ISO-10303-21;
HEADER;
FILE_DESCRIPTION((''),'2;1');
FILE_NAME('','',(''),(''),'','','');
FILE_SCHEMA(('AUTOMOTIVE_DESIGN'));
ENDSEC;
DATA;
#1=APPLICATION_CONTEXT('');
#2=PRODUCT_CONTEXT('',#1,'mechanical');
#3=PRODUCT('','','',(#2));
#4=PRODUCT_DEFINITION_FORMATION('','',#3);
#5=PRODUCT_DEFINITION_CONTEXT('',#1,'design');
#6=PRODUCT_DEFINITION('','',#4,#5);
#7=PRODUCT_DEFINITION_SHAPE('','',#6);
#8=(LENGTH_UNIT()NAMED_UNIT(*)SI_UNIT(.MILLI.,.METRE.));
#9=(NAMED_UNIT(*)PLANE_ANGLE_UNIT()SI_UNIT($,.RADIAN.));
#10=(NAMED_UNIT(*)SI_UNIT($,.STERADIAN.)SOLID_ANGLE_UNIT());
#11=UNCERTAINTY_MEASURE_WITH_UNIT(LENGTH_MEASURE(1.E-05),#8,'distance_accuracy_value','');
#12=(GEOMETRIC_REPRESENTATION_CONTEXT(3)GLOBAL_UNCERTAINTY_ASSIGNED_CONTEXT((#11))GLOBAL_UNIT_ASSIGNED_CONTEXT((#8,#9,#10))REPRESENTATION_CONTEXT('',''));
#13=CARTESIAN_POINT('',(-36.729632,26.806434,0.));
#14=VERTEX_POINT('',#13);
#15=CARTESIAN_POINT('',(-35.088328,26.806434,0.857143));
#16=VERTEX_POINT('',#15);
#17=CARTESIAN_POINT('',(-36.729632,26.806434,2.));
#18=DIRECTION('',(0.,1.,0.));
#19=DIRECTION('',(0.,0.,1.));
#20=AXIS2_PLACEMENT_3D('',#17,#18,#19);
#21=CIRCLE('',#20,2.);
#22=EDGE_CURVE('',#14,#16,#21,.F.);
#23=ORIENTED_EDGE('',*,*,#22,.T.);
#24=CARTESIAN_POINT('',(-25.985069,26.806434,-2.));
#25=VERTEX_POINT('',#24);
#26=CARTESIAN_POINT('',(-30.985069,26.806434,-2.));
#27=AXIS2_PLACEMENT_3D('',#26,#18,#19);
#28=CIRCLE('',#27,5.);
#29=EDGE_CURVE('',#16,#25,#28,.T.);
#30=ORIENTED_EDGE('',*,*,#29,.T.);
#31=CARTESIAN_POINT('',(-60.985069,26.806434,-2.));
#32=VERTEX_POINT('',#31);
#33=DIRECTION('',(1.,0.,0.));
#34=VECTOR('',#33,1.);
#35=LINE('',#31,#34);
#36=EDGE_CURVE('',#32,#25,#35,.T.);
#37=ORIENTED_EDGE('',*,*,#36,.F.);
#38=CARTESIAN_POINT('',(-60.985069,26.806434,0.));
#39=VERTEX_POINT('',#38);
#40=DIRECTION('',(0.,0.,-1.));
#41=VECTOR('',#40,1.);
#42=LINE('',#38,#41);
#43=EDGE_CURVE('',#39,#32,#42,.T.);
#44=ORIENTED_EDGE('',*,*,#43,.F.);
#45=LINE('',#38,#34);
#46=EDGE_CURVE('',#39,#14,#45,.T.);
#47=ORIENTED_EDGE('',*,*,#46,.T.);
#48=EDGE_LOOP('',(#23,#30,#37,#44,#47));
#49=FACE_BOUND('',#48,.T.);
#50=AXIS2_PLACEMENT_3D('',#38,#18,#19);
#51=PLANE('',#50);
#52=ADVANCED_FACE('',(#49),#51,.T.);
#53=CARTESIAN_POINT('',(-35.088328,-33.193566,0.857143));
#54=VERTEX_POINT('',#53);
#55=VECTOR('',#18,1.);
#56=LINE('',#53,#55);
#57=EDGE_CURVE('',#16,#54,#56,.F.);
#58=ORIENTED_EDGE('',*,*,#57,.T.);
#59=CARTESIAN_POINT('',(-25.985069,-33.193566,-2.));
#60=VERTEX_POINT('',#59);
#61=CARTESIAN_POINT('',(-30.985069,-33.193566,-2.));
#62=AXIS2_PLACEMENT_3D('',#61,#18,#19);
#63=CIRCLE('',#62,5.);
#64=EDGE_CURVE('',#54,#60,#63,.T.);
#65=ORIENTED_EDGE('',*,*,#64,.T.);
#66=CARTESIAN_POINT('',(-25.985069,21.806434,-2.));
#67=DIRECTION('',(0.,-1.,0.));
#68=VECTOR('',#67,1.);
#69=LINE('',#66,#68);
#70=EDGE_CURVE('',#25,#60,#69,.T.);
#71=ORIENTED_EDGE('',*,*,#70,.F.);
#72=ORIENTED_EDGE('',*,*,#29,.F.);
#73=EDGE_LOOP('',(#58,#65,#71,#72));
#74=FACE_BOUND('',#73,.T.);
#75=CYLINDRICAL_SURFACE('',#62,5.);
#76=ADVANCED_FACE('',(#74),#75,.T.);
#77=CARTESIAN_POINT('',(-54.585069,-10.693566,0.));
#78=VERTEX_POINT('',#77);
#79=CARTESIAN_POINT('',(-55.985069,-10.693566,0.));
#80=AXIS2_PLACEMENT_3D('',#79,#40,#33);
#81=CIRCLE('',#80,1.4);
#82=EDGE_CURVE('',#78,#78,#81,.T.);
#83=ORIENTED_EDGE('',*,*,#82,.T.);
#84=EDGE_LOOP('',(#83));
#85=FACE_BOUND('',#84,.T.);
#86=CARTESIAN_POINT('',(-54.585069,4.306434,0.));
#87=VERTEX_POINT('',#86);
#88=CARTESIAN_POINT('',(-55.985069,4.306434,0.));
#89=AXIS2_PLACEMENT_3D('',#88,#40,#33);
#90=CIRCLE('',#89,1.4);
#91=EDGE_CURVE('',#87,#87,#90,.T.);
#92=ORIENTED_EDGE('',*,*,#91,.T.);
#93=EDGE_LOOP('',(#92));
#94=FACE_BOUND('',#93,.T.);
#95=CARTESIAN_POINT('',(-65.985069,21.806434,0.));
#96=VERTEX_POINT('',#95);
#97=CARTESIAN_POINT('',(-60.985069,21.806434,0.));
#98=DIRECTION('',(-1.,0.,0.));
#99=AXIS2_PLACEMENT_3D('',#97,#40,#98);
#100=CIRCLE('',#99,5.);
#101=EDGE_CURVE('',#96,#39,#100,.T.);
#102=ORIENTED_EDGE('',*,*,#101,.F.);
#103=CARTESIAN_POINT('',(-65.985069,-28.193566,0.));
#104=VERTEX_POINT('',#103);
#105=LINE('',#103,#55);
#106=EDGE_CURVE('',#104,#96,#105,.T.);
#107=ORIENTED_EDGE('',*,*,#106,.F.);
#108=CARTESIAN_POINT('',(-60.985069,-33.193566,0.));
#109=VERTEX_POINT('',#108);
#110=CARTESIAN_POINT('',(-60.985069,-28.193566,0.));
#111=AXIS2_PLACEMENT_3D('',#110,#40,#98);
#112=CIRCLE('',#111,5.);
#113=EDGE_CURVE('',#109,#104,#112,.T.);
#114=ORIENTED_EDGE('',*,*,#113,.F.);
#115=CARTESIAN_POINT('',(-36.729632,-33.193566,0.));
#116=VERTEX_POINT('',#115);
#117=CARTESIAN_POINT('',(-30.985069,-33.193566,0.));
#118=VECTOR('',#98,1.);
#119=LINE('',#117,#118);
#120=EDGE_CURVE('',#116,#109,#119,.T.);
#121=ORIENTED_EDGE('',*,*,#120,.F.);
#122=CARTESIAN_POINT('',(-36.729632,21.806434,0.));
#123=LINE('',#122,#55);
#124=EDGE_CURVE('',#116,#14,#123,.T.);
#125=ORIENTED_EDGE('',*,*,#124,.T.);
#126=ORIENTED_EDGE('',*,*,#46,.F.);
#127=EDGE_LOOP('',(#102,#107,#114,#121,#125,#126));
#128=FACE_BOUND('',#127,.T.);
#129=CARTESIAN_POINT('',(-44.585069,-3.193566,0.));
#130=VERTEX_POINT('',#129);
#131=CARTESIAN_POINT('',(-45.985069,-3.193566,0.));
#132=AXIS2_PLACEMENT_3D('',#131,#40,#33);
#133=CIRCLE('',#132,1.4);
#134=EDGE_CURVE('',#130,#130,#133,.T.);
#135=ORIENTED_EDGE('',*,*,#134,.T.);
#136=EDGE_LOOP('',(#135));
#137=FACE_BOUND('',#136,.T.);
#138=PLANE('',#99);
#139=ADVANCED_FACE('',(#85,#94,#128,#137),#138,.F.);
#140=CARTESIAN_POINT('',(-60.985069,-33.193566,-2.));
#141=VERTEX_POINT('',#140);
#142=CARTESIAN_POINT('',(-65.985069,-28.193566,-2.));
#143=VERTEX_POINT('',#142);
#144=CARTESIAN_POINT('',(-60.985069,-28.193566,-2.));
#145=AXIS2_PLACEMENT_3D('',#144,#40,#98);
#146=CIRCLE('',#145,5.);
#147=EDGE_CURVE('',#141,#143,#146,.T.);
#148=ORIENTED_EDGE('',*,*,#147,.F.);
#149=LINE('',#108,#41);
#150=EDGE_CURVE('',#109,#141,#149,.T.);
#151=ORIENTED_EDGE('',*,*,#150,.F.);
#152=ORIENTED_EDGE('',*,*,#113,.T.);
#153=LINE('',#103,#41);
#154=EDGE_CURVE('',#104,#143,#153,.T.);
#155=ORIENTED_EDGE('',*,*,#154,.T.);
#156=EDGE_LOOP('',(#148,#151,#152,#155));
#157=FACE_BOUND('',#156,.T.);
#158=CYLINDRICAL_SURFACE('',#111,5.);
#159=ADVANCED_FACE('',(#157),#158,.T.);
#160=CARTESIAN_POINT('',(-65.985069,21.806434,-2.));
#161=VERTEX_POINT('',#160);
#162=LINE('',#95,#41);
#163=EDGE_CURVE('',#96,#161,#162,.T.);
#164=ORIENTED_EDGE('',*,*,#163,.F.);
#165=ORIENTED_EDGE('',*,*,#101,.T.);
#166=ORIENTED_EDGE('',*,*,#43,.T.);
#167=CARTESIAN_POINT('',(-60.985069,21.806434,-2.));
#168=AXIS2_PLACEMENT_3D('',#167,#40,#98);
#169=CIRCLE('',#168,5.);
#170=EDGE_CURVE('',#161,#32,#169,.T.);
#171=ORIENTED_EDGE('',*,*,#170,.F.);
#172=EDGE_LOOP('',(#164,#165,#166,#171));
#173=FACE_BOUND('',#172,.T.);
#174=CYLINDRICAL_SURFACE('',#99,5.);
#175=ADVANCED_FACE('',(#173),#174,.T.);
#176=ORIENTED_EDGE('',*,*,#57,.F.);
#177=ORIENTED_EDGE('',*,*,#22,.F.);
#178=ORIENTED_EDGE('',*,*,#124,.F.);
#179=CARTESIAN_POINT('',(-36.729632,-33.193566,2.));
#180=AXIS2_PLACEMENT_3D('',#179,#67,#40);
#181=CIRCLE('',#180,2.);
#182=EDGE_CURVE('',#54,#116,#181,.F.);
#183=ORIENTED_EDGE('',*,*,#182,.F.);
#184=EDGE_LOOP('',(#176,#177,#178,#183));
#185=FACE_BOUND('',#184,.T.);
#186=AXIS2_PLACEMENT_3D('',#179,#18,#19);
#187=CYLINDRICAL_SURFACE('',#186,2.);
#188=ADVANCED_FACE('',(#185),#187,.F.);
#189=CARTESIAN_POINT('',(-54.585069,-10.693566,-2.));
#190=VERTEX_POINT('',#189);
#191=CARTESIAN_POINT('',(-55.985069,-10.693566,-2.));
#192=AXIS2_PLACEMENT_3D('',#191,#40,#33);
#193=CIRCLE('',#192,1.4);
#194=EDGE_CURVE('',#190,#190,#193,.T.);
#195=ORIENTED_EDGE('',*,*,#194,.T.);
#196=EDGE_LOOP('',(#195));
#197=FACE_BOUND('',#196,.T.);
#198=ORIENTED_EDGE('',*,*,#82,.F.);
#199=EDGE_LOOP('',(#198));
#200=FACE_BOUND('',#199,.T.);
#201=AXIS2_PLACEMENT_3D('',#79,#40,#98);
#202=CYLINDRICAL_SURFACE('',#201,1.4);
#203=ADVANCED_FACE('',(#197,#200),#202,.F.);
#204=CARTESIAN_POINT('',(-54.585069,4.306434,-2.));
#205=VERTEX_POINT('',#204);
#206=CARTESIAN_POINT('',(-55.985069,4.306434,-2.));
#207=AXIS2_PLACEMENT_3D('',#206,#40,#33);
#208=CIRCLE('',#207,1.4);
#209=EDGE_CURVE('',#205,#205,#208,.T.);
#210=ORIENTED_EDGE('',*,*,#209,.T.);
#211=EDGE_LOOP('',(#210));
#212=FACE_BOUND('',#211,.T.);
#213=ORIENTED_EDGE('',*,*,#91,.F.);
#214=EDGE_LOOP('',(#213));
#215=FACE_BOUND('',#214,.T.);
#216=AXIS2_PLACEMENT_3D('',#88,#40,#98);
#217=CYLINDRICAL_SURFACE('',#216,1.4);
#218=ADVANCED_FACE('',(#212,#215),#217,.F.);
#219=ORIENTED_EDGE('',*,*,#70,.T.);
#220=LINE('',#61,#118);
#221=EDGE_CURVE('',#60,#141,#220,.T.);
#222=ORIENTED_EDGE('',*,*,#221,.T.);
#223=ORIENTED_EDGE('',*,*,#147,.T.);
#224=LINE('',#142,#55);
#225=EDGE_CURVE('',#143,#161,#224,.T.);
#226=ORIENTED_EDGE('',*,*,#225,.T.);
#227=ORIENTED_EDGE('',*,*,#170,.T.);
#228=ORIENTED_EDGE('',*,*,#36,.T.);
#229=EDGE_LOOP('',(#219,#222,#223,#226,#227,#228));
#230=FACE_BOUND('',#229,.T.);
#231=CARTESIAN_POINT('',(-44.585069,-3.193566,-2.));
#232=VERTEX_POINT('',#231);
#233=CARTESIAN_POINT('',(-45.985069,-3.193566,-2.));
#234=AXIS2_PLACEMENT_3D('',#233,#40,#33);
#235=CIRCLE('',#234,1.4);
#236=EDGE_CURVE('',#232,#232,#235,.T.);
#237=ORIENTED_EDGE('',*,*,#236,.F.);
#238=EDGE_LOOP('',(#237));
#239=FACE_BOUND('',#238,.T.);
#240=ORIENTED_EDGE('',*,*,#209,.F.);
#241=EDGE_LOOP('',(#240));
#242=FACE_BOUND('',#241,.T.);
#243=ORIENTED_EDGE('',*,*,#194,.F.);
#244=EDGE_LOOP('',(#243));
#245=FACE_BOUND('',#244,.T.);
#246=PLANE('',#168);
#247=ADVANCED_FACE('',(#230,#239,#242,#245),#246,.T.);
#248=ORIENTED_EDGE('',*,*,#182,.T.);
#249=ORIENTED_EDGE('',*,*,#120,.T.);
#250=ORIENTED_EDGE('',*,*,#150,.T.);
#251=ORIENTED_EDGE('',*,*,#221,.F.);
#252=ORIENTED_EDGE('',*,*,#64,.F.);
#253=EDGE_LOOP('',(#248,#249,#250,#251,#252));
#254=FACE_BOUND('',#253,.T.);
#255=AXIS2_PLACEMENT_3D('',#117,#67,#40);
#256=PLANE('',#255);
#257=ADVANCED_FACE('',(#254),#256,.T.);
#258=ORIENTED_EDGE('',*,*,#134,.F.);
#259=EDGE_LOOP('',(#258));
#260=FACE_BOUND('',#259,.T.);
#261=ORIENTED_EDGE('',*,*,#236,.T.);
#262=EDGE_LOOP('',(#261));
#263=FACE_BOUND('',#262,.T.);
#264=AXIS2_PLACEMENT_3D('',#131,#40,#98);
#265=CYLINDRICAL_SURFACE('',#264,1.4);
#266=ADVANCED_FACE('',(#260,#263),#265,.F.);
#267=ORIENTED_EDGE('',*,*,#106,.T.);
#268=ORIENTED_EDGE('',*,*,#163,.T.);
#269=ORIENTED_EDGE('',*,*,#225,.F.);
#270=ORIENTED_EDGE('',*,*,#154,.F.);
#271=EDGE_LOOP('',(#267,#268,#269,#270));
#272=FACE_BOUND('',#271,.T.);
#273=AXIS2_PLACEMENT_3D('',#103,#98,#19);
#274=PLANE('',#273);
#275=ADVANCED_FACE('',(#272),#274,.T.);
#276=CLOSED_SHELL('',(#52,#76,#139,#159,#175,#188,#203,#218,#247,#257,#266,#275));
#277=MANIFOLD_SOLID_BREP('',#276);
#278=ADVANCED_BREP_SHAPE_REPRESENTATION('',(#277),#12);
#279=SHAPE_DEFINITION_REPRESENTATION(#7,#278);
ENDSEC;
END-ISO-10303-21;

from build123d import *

# Parameters (mm, degrees)
SKETCH1_R           = 1.4
BOSS_EXTRUDE1_DEPTH = 2
BOSS_EXTRUDE2_DEPTH = 60
CUT_EXTRUDE1_DEPTH  = 60
FILLET1_R           = 2


with BuildPart() as part:
    # Sketch1 → Boss-Extrude1 (new body)
    with BuildSketch(Plane(origin=(0, 0, -2), x_dir=(-1, 0, 0), z_dir=(0, 0, -1))):
        with BuildLine():
            Line((60.9850693, 26.806434403), (30.9850693, 26.806434403))
            ThreePointArc((30.9850693, 26.806434403), (27.449535394, 25.341968309), (25.9850693, 21.806434403))
            Line((25.9850693, 21.806434403), (25.9850693, -28.193565597))
            ThreePointArc((25.9850693, -28.193565597), (27.449535394, -31.729099503), (30.9850693, -33.193565597))
            Line((30.9850693, -33.193565597), (60.9850693, -33.193565597))
            ThreePointArc((60.9850693, -33.193565597), (64.520603206, -31.729099503), (65.9850693, -28.193565597))
            Line((65.9850693, -28.193565597), (65.9850693, 21.806434403))
            ThreePointArc((65.9850693, 21.806434403), (64.520603206, 25.341968309), (60.9850693, 26.806434403))
        make_face()
        with Locations((55.9850693, 4.306434403)):
            Circle(SKETCH1_R, mode=Mode.SUBTRACT)
        with Locations((55.9850693, -10.693565597)):
            Circle(SKETCH1_R, mode=Mode.SUBTRACT)
        with Locations((45.9850693, -3.193565597)):
            Circle(SKETCH1_R, mode=Mode.SUBTRACT)
    extrude(amount=-BOSS_EXTRUDE1_DEPTH)

    # Sketch2 → Boss-Extrude2 (add)
    with BuildSketch(Plane(origin=(0, 26.806434403, 0), x_dir=(1, 0, 0), z_dir=(0, 1, 0))):
        with BuildLine():
            Line((-25.9850693, 2), (-35.9850693, 2))
            ThreePointArc((-35.9850693, 2), (-30.9850693, -3), (-25.9850693, 2))
        make_face()
    extrude(amount=-BOSS_EXTRUDE2_DEPTH)

    # Sketch3 → Cut-Extrude1 (cut)
    with BuildSketch(Plane(origin=(0, 26.806434403, 0), x_dir=(1, 0, 0), z_dir=(0, 1, 0))):
        with BuildLine():
            Line((-26.402493605, 0), (-25.9850693, 0))
            Line((-25.9850693, 0), (-25.9850693, 2))
            ThreePointArc((-25.9850693, 2), (-26.090537735, 0.978451782), (-26.402493605, 0))
        make_face()
    extrude(amount=-CUT_EXTRUDE1_DEPTH, mode=Mode.SUBTRACT)

    # Fillet1
    fillet1_edges = [part.edges().sort_by_distance(p)[0] for p in [
        (-35.567644995, -3.193565597, 0),
    ]]
    fillet(fillet1_edges, radius=FILLET1_R)


solid = part.part
